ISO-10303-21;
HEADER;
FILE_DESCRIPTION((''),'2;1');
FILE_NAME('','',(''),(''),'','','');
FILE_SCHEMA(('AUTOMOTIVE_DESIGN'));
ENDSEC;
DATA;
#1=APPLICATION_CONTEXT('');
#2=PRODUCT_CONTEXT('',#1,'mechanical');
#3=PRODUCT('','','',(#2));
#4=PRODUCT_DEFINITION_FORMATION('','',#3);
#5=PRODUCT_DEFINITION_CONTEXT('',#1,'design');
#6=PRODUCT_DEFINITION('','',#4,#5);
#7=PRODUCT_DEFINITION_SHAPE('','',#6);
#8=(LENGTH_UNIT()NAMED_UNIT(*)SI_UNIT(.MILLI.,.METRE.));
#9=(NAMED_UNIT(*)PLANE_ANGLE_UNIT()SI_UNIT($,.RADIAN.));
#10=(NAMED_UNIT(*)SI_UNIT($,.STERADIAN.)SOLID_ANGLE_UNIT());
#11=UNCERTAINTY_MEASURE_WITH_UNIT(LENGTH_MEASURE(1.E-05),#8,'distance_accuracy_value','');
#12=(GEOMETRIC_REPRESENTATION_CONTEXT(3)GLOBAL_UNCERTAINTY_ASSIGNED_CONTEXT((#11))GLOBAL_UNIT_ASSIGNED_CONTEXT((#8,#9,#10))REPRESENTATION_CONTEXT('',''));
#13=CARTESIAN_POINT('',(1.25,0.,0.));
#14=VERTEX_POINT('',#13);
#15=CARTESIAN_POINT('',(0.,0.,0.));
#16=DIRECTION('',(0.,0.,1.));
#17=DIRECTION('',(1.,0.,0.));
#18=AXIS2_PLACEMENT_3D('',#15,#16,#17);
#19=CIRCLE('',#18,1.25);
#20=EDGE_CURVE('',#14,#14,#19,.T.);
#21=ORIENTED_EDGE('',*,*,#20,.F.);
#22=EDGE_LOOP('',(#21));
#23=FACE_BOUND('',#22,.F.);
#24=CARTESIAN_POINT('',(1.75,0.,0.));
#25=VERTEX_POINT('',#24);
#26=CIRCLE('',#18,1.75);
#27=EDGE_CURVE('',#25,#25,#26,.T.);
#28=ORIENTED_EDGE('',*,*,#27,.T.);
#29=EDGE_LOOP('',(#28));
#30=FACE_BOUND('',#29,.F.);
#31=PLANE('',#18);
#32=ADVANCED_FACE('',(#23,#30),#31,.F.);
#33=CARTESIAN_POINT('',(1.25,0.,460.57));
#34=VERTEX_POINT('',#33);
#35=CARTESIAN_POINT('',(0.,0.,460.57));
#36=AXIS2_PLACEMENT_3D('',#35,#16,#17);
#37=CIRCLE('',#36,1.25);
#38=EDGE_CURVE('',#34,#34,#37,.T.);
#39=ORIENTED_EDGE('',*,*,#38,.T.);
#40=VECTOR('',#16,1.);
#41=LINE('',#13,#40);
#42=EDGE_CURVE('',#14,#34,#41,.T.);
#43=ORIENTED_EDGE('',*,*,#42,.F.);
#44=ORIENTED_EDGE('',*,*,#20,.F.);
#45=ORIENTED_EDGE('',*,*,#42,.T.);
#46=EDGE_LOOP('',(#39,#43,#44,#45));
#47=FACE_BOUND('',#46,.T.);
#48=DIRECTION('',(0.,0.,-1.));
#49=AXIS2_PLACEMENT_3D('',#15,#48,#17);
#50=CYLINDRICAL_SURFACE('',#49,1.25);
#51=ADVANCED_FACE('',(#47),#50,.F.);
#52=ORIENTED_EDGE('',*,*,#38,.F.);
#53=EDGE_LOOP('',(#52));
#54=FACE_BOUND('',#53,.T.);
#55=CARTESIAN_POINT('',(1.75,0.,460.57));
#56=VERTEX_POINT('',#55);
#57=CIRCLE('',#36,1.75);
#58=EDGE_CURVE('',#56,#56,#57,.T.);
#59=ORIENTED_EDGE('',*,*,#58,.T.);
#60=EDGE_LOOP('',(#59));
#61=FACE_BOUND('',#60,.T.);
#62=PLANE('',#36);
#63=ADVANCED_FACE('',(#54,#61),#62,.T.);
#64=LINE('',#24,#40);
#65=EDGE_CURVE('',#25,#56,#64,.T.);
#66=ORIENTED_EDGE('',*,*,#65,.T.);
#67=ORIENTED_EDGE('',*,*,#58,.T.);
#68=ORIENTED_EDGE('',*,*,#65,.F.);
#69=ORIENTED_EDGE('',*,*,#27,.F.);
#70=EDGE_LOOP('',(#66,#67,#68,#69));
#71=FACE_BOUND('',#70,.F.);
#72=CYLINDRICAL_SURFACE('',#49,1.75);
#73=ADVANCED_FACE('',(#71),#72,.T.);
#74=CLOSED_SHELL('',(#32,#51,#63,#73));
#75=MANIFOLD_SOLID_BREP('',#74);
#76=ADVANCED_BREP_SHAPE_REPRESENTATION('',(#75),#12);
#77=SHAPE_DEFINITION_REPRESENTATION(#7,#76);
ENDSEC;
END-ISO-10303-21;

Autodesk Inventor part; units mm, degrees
ref_plane "YZ Plane" through (0, 0, 0) normal (1, 0, 0) x (0, 1, 0)
ref_plane "XZ Plane" through (0, 0, 0) normal (0, 1, 0) x (-1, 0, 0)
ref_plane "XY Plane" through (0, 0, 0) normal (0, 0, 1) x (1, 0, 0)
sketch "Sketch1" plane through (0, 0, 0) normal (0, 0, 1) x (1, 0, 0)
  circle A0 centre (0, 0) radius 1.75
  circle A1 centre (0, 0) radius 1.25
  dimension "d2" = 3.5
  dimension "d3" = 2.5
extrude "Extrusion1" add sketch "Sketch1" along normal blind 460.57
properties part number "cienki_spar"
